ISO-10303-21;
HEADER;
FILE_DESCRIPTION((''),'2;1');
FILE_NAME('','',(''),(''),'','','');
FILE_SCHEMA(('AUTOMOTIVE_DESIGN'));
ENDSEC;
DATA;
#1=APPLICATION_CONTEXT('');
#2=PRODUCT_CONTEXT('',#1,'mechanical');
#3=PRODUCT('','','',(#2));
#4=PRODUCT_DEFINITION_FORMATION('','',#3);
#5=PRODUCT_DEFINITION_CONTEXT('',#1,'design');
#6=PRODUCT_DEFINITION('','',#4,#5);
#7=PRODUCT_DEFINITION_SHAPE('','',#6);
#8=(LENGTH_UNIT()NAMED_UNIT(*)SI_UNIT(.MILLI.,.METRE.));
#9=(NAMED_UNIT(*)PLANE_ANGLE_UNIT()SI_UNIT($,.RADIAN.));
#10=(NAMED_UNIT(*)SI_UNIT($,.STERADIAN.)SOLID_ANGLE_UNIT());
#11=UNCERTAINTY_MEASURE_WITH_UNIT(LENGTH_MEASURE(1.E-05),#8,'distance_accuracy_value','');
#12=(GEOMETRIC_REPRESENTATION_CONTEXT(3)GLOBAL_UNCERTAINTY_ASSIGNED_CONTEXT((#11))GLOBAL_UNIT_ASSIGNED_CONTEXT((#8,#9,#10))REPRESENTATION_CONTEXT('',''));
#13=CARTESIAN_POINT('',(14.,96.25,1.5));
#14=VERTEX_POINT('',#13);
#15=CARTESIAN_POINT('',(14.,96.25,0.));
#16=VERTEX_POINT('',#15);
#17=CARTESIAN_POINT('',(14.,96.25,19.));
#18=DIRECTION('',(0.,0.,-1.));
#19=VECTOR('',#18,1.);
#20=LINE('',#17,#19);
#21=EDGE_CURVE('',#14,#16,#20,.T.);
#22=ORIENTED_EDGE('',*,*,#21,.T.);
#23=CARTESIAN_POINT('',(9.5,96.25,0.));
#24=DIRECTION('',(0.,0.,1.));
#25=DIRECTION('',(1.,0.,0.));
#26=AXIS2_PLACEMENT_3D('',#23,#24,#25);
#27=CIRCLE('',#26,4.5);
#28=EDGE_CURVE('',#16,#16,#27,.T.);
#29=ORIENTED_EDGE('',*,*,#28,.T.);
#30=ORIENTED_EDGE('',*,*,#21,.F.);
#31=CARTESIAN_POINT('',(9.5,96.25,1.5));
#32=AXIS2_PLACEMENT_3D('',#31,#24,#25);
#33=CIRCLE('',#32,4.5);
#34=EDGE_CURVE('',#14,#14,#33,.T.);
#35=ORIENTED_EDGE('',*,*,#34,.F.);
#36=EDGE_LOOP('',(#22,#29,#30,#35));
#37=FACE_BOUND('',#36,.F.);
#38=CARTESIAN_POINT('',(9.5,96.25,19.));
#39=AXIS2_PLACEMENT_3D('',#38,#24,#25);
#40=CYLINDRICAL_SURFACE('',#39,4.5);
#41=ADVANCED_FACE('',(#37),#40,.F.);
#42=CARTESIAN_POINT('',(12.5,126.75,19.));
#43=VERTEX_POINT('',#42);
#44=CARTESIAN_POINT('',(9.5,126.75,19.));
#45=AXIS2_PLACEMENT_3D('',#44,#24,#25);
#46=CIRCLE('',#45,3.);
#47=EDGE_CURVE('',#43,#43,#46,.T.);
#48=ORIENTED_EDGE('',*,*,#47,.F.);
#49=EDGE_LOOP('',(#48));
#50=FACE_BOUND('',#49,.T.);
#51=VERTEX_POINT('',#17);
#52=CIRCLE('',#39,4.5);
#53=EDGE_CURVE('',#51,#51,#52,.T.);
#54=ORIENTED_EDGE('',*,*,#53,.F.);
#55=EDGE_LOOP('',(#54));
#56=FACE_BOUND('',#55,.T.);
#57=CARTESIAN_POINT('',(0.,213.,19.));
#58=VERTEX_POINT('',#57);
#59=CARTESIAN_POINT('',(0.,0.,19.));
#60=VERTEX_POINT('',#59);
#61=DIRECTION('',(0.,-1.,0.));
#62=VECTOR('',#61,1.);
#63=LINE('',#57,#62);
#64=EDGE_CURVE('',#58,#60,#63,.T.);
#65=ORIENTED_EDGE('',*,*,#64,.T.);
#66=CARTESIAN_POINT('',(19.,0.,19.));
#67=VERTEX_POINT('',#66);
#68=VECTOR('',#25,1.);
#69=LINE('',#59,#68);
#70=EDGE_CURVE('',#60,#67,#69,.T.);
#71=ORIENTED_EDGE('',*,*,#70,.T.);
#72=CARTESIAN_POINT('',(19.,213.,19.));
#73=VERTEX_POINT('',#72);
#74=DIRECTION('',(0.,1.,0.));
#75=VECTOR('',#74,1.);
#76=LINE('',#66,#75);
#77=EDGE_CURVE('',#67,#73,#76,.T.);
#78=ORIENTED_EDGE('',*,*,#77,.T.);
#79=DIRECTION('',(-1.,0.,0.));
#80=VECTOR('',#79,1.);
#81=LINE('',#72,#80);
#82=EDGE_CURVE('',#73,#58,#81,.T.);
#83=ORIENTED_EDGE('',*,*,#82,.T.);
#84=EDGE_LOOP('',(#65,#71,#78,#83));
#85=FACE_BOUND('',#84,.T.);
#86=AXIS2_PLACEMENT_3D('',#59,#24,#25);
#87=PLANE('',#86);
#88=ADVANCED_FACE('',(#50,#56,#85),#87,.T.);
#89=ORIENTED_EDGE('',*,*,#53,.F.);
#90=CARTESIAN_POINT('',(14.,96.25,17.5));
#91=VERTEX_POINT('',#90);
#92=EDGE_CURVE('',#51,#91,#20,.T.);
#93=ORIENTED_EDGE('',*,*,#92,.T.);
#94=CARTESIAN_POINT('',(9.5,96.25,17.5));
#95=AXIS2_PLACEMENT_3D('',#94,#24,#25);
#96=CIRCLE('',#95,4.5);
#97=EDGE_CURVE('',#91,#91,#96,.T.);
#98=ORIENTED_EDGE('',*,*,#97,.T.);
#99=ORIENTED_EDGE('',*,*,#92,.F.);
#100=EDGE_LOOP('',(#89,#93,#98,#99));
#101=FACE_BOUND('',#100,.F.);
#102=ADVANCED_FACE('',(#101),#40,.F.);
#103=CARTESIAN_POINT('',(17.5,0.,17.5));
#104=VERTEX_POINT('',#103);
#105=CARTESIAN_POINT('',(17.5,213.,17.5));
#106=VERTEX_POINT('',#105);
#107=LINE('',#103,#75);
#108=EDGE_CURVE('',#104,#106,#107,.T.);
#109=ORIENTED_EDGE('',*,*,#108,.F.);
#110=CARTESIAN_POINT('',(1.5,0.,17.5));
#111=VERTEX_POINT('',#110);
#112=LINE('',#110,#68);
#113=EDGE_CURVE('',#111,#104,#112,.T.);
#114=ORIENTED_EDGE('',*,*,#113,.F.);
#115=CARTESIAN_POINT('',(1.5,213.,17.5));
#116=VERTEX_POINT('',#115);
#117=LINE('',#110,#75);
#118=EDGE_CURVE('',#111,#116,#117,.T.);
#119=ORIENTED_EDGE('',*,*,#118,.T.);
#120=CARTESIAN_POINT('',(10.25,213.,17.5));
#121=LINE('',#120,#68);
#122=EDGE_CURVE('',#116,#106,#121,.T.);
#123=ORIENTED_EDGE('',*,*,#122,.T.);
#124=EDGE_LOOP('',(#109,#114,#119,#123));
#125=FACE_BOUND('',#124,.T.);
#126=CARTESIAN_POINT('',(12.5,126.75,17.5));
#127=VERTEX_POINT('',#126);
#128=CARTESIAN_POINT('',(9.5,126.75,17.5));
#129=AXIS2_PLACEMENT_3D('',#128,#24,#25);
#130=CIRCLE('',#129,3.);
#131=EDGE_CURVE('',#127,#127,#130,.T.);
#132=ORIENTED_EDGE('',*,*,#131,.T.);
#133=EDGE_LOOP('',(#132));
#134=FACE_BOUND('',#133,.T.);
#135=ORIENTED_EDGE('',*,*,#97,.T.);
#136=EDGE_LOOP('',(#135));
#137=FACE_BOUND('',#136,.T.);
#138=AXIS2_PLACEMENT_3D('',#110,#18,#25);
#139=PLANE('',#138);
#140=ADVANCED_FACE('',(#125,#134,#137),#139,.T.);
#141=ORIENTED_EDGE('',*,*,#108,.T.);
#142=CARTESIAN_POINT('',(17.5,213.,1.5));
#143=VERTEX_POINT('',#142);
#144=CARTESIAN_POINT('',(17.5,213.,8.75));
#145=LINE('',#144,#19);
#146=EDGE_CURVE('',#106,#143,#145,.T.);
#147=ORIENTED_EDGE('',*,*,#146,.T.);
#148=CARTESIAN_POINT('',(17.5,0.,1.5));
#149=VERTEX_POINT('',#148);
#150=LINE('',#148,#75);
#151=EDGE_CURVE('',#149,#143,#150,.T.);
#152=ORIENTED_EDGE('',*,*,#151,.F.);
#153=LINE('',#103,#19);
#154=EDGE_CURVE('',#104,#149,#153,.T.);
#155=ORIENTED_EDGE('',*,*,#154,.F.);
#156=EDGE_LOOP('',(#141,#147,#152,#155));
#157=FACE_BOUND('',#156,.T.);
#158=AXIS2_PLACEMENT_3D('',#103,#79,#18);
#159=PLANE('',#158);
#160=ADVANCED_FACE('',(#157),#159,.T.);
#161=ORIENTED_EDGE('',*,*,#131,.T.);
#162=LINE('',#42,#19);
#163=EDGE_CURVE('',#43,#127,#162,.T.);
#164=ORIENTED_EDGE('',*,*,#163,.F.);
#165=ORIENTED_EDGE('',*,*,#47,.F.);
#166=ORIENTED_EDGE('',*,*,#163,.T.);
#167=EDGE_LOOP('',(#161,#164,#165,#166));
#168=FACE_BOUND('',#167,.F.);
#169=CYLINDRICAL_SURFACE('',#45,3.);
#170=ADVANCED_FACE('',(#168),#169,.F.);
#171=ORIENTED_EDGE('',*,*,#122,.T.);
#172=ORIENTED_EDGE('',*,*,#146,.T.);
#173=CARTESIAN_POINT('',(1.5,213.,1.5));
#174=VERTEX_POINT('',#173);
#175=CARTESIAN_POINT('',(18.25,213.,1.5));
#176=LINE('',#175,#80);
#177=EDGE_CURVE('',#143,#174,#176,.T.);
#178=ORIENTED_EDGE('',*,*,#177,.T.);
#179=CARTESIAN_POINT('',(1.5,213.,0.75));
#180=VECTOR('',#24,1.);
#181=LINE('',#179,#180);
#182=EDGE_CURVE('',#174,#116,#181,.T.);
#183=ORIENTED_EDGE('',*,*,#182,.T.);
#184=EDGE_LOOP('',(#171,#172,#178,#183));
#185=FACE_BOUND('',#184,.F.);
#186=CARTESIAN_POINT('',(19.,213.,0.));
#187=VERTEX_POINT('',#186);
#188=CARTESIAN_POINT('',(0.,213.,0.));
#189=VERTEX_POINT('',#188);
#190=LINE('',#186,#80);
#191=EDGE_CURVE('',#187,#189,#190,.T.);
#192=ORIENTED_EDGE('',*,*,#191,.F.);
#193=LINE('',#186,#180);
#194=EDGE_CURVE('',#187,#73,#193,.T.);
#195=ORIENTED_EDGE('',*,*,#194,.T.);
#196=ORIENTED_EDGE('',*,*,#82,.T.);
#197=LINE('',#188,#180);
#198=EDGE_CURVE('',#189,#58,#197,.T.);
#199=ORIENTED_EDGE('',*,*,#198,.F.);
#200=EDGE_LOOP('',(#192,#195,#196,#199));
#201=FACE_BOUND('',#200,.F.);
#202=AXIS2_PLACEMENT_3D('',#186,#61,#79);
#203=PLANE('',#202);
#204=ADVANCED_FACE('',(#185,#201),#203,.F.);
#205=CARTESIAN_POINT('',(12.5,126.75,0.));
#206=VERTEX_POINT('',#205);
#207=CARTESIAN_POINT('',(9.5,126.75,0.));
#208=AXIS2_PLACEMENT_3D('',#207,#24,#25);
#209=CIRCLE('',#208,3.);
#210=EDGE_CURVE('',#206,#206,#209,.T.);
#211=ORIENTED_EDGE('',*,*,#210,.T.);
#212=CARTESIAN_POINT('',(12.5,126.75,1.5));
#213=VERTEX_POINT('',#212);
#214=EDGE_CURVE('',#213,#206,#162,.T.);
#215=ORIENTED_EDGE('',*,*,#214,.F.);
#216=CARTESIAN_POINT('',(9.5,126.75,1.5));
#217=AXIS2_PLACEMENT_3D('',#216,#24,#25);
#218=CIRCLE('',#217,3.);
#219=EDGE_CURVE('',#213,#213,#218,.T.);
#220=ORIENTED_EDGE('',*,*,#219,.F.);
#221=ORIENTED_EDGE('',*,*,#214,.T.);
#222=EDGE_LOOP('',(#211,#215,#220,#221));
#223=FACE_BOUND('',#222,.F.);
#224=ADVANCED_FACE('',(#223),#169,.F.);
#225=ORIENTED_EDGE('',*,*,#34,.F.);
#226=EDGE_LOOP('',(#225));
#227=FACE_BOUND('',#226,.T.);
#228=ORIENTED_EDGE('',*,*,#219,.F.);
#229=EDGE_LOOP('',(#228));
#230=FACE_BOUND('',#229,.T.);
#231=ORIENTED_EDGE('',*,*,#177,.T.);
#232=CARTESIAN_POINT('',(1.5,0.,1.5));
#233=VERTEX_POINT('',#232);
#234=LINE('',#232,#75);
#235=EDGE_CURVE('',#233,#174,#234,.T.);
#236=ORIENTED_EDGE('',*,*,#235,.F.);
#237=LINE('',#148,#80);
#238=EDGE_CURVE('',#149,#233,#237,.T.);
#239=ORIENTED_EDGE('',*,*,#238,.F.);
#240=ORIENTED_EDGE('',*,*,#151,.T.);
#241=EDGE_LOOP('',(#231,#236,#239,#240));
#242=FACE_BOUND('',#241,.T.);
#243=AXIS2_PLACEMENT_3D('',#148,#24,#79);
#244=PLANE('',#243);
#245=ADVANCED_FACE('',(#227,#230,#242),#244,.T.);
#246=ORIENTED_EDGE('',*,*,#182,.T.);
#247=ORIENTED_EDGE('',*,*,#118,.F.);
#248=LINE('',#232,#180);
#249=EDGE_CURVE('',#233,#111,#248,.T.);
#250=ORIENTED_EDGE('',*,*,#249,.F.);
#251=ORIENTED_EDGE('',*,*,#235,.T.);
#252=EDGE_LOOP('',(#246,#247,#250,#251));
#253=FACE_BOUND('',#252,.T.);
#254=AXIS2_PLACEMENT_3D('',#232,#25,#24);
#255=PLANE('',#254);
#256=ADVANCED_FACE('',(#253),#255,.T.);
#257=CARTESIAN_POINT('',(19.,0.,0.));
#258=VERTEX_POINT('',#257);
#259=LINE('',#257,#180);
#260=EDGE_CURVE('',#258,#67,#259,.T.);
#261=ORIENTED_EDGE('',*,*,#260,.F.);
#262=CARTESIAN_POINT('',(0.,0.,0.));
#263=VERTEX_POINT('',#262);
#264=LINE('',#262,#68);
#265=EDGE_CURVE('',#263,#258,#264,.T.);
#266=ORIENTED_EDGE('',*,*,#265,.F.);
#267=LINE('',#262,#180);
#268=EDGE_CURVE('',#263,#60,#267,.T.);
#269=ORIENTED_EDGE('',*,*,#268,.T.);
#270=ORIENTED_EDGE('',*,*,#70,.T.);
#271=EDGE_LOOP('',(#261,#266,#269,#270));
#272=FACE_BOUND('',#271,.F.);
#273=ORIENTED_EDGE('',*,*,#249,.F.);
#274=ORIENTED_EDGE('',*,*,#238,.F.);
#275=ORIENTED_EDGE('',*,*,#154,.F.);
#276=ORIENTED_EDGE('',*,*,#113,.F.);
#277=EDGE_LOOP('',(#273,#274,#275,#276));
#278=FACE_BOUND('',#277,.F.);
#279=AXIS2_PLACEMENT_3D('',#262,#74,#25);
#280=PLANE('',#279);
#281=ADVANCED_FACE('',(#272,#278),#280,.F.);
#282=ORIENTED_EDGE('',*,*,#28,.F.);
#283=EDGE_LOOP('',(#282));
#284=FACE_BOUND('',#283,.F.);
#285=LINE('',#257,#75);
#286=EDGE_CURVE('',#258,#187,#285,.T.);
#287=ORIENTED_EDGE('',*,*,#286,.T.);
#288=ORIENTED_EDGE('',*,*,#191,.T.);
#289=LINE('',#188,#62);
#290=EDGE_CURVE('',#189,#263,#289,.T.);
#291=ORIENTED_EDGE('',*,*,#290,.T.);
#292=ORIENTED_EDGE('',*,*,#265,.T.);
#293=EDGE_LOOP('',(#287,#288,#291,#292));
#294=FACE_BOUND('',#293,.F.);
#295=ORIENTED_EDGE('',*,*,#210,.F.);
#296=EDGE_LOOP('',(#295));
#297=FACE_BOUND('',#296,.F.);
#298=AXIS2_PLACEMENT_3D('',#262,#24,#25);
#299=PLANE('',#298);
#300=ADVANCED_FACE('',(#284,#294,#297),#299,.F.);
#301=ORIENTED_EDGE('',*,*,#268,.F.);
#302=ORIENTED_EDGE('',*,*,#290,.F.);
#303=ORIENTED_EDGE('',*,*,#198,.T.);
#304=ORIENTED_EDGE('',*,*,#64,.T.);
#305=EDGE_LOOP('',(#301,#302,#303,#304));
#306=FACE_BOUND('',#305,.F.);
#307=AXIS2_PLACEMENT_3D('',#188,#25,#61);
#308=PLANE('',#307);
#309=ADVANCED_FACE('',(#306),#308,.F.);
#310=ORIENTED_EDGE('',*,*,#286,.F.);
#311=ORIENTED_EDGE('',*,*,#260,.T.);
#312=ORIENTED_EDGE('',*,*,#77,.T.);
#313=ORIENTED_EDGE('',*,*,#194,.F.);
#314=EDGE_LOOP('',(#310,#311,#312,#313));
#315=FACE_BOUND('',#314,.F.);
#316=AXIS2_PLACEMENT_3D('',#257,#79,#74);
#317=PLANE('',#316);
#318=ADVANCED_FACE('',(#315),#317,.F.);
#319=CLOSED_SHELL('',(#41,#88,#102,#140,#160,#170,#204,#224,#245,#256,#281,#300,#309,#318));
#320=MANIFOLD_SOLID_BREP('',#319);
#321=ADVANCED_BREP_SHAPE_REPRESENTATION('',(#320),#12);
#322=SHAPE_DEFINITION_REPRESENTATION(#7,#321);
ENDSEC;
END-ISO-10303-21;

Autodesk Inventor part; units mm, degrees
ref_plane "YZ Plane" through (0, 0, 0) normal (1, 0, 0) x (0, 1, 0)
ref_plane "XZ Plane" through (0, 0, 0) normal (0, 1, 0) x (-1, 0, 0)
ref_plane "XY Plane" through (0, 0, 0) normal (0, 0, 1) x (1, 0, 0)
sketch "Sketch1" plane through (0, 0, 0) normal (0, 0, 1) x (1, 0, 0)
  line L0 (0, 0) -> (19, 0)
  line L1 (19, 0) -> (19, 213)
  line L2 (19, 213) -> (0, 213)
  line L3 (0, 213) -> (0, 0)
  dimension "d0" = 19
  dimension "d1" = 213
extrude "Extrusion1" add sketch "Sketch1" along normal blind 19
sketch "Sketch2" plane through (0, 0, 0) normal (0, -1, 0) x (1, 0, 0)
  line L0 (0, 0) -> (19, 0) projected
  line L1 (19, 0) -> (19, 19) projected
  line L2 (0, 19) -> (19, 19) projected
  line L3 (0, 0) -> (0, 19) projected
  line L4 (17.5, 17.5) -> (17.5, 1.5)
  line L5 (17.5, 1.5) -> (1.5, 1.5)
  line L6 (1.5, 1.5) -> (1.5, 17.5)
  line L7 (1.5, 17.5) -> (17.5, 17.5)
  dimension "d4" = 1.5
extrude "Extrusion2" cut sketch "Sketch2" against normal through all contours L4 L5 L6 L7
sketch "Sketch3" plane through (0, 0, 19) normal (0, 0, 1) x (1, 0, 0)
  line L0 (9.5, 96.25) -> (9.5, 126.75) construction
  circle A0 centre (9.5, 126.75) radius 3
  circle A1 centre (9.5, 96.25) radius 4.5
  line L1 (19, 0) -> (19, 213) projected
  line L2 (19, 213) -> (0, 213) projected
  point P0 (0, 0)
  point P1 (19, 106.5)
  point P2 (9.5, 111.5)
  point P3 (9.5, 213)
  dimension "d7" = 30.5
  dimension "d8" = 6
  dimension "d9" = 9
  dimension "d12" = 5
extrude "Extrusion3" cut sketch "Sketch3" against normal through all
properties part number "C010" material "Aluminum 6061"
